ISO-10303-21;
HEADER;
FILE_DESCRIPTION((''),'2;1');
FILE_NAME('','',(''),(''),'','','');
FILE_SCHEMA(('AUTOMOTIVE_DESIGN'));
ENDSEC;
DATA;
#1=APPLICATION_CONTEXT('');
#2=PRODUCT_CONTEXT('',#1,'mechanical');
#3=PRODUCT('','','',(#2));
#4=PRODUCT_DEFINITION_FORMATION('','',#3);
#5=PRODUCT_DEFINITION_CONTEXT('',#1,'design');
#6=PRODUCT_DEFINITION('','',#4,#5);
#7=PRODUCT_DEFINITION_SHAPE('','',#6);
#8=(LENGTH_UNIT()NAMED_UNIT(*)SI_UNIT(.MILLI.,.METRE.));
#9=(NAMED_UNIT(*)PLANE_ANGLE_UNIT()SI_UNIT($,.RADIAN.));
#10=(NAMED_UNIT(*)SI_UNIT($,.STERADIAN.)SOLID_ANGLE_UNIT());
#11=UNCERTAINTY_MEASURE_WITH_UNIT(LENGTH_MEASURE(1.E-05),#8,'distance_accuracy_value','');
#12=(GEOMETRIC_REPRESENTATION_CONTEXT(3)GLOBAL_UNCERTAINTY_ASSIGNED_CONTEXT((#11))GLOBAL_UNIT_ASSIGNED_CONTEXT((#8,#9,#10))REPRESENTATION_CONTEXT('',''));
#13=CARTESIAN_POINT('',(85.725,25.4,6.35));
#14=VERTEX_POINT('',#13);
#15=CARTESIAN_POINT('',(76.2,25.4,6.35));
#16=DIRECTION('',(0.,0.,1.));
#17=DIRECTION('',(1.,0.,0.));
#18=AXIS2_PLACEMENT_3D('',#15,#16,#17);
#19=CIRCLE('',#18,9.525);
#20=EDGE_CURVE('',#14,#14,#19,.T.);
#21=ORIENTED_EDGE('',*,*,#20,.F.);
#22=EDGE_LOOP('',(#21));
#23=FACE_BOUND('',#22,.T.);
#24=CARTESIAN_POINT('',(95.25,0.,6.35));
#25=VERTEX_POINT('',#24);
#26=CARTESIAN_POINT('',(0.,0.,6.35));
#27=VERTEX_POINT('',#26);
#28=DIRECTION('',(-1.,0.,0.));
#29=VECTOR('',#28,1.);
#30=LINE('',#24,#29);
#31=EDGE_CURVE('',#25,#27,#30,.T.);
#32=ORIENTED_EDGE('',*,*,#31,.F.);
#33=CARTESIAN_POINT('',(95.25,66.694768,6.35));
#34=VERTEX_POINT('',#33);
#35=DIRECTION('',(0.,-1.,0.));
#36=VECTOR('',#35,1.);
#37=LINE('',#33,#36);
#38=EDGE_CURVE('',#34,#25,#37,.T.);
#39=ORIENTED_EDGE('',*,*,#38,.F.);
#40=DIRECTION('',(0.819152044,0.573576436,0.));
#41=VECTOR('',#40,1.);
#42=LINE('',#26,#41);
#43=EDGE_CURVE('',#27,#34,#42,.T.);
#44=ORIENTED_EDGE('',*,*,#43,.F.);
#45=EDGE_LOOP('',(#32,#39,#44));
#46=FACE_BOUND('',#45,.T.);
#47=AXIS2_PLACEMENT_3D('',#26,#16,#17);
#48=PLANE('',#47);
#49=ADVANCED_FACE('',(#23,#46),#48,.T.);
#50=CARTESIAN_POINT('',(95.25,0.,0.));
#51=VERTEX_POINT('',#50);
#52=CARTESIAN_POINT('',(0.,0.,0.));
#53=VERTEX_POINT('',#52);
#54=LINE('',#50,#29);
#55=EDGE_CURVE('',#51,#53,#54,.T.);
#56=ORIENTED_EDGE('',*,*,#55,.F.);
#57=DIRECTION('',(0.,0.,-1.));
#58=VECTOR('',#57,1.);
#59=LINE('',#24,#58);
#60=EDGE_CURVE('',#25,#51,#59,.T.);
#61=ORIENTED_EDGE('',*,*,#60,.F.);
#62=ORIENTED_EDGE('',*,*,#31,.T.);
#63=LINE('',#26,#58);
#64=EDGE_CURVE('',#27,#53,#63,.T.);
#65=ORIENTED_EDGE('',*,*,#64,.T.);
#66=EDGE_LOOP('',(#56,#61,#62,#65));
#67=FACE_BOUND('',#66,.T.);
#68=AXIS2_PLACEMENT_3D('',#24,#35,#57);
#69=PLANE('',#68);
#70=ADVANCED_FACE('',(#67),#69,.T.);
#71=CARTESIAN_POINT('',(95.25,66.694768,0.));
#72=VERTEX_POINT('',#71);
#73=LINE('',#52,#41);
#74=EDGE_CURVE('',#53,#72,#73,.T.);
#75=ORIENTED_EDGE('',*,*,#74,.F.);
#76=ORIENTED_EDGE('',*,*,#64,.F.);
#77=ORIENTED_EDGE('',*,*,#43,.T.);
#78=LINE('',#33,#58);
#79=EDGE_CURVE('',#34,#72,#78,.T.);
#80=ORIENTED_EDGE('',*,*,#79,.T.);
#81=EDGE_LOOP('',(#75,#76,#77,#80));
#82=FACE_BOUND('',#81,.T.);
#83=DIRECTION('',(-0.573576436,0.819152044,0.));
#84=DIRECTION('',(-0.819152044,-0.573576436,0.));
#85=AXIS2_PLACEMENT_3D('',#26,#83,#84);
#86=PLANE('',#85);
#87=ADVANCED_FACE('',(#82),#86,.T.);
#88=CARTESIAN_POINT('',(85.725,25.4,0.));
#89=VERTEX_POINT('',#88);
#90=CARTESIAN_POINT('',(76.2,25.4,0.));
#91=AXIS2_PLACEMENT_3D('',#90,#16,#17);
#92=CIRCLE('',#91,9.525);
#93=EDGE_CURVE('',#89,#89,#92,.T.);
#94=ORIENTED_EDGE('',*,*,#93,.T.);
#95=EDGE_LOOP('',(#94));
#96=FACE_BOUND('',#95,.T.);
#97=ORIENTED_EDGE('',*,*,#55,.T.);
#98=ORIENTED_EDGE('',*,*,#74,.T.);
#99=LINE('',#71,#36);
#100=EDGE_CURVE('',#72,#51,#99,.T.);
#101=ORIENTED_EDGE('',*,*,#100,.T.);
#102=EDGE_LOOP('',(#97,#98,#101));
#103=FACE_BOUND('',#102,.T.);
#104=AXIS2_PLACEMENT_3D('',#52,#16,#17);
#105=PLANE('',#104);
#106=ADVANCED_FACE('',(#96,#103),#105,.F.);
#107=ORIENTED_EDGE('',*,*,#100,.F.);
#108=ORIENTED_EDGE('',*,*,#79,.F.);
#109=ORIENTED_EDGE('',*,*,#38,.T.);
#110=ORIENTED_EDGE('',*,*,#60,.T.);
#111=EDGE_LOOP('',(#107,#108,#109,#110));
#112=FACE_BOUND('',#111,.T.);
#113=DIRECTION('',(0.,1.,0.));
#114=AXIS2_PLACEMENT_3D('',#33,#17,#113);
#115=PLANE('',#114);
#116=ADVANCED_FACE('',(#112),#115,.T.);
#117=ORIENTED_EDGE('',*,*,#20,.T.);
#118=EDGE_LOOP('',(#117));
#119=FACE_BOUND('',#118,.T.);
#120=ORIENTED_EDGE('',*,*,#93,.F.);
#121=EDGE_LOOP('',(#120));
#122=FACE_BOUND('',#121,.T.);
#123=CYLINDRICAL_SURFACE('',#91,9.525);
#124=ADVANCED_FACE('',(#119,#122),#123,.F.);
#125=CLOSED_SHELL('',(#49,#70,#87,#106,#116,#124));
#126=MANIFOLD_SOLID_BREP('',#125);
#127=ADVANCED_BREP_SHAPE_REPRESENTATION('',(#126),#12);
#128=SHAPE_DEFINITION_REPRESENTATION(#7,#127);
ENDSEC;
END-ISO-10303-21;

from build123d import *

# Parameters (mm, degrees)
BOSS_EXTRUDE1_DEPTH = 6.35
SKETCH2_R           = 9.525
CUT_EXTRUDE1_DEPTH  = 6.35


with BuildPart() as part:
    # Sketch1 → Boss-Extrude1 (new body)
    with BuildSketch(Plane.XY):
        Polygon((0, 0), (95.25, 66.694768014), (95.25, 0), align=None)
    extrude(amount=BOSS_EXTRUDE1_DEPTH)

    # Sketch2 → Cut-Extrude1 (cut)
    with BuildSketch(Plane.XY.offset(6.35)):
        with Locations((76.2, 25.4)):
            Circle(SKETCH2_R)
    extrude(amount=-CUT_EXTRUDE1_DEPTH, mode=Mode.SUBTRACT)


solid = part.part
